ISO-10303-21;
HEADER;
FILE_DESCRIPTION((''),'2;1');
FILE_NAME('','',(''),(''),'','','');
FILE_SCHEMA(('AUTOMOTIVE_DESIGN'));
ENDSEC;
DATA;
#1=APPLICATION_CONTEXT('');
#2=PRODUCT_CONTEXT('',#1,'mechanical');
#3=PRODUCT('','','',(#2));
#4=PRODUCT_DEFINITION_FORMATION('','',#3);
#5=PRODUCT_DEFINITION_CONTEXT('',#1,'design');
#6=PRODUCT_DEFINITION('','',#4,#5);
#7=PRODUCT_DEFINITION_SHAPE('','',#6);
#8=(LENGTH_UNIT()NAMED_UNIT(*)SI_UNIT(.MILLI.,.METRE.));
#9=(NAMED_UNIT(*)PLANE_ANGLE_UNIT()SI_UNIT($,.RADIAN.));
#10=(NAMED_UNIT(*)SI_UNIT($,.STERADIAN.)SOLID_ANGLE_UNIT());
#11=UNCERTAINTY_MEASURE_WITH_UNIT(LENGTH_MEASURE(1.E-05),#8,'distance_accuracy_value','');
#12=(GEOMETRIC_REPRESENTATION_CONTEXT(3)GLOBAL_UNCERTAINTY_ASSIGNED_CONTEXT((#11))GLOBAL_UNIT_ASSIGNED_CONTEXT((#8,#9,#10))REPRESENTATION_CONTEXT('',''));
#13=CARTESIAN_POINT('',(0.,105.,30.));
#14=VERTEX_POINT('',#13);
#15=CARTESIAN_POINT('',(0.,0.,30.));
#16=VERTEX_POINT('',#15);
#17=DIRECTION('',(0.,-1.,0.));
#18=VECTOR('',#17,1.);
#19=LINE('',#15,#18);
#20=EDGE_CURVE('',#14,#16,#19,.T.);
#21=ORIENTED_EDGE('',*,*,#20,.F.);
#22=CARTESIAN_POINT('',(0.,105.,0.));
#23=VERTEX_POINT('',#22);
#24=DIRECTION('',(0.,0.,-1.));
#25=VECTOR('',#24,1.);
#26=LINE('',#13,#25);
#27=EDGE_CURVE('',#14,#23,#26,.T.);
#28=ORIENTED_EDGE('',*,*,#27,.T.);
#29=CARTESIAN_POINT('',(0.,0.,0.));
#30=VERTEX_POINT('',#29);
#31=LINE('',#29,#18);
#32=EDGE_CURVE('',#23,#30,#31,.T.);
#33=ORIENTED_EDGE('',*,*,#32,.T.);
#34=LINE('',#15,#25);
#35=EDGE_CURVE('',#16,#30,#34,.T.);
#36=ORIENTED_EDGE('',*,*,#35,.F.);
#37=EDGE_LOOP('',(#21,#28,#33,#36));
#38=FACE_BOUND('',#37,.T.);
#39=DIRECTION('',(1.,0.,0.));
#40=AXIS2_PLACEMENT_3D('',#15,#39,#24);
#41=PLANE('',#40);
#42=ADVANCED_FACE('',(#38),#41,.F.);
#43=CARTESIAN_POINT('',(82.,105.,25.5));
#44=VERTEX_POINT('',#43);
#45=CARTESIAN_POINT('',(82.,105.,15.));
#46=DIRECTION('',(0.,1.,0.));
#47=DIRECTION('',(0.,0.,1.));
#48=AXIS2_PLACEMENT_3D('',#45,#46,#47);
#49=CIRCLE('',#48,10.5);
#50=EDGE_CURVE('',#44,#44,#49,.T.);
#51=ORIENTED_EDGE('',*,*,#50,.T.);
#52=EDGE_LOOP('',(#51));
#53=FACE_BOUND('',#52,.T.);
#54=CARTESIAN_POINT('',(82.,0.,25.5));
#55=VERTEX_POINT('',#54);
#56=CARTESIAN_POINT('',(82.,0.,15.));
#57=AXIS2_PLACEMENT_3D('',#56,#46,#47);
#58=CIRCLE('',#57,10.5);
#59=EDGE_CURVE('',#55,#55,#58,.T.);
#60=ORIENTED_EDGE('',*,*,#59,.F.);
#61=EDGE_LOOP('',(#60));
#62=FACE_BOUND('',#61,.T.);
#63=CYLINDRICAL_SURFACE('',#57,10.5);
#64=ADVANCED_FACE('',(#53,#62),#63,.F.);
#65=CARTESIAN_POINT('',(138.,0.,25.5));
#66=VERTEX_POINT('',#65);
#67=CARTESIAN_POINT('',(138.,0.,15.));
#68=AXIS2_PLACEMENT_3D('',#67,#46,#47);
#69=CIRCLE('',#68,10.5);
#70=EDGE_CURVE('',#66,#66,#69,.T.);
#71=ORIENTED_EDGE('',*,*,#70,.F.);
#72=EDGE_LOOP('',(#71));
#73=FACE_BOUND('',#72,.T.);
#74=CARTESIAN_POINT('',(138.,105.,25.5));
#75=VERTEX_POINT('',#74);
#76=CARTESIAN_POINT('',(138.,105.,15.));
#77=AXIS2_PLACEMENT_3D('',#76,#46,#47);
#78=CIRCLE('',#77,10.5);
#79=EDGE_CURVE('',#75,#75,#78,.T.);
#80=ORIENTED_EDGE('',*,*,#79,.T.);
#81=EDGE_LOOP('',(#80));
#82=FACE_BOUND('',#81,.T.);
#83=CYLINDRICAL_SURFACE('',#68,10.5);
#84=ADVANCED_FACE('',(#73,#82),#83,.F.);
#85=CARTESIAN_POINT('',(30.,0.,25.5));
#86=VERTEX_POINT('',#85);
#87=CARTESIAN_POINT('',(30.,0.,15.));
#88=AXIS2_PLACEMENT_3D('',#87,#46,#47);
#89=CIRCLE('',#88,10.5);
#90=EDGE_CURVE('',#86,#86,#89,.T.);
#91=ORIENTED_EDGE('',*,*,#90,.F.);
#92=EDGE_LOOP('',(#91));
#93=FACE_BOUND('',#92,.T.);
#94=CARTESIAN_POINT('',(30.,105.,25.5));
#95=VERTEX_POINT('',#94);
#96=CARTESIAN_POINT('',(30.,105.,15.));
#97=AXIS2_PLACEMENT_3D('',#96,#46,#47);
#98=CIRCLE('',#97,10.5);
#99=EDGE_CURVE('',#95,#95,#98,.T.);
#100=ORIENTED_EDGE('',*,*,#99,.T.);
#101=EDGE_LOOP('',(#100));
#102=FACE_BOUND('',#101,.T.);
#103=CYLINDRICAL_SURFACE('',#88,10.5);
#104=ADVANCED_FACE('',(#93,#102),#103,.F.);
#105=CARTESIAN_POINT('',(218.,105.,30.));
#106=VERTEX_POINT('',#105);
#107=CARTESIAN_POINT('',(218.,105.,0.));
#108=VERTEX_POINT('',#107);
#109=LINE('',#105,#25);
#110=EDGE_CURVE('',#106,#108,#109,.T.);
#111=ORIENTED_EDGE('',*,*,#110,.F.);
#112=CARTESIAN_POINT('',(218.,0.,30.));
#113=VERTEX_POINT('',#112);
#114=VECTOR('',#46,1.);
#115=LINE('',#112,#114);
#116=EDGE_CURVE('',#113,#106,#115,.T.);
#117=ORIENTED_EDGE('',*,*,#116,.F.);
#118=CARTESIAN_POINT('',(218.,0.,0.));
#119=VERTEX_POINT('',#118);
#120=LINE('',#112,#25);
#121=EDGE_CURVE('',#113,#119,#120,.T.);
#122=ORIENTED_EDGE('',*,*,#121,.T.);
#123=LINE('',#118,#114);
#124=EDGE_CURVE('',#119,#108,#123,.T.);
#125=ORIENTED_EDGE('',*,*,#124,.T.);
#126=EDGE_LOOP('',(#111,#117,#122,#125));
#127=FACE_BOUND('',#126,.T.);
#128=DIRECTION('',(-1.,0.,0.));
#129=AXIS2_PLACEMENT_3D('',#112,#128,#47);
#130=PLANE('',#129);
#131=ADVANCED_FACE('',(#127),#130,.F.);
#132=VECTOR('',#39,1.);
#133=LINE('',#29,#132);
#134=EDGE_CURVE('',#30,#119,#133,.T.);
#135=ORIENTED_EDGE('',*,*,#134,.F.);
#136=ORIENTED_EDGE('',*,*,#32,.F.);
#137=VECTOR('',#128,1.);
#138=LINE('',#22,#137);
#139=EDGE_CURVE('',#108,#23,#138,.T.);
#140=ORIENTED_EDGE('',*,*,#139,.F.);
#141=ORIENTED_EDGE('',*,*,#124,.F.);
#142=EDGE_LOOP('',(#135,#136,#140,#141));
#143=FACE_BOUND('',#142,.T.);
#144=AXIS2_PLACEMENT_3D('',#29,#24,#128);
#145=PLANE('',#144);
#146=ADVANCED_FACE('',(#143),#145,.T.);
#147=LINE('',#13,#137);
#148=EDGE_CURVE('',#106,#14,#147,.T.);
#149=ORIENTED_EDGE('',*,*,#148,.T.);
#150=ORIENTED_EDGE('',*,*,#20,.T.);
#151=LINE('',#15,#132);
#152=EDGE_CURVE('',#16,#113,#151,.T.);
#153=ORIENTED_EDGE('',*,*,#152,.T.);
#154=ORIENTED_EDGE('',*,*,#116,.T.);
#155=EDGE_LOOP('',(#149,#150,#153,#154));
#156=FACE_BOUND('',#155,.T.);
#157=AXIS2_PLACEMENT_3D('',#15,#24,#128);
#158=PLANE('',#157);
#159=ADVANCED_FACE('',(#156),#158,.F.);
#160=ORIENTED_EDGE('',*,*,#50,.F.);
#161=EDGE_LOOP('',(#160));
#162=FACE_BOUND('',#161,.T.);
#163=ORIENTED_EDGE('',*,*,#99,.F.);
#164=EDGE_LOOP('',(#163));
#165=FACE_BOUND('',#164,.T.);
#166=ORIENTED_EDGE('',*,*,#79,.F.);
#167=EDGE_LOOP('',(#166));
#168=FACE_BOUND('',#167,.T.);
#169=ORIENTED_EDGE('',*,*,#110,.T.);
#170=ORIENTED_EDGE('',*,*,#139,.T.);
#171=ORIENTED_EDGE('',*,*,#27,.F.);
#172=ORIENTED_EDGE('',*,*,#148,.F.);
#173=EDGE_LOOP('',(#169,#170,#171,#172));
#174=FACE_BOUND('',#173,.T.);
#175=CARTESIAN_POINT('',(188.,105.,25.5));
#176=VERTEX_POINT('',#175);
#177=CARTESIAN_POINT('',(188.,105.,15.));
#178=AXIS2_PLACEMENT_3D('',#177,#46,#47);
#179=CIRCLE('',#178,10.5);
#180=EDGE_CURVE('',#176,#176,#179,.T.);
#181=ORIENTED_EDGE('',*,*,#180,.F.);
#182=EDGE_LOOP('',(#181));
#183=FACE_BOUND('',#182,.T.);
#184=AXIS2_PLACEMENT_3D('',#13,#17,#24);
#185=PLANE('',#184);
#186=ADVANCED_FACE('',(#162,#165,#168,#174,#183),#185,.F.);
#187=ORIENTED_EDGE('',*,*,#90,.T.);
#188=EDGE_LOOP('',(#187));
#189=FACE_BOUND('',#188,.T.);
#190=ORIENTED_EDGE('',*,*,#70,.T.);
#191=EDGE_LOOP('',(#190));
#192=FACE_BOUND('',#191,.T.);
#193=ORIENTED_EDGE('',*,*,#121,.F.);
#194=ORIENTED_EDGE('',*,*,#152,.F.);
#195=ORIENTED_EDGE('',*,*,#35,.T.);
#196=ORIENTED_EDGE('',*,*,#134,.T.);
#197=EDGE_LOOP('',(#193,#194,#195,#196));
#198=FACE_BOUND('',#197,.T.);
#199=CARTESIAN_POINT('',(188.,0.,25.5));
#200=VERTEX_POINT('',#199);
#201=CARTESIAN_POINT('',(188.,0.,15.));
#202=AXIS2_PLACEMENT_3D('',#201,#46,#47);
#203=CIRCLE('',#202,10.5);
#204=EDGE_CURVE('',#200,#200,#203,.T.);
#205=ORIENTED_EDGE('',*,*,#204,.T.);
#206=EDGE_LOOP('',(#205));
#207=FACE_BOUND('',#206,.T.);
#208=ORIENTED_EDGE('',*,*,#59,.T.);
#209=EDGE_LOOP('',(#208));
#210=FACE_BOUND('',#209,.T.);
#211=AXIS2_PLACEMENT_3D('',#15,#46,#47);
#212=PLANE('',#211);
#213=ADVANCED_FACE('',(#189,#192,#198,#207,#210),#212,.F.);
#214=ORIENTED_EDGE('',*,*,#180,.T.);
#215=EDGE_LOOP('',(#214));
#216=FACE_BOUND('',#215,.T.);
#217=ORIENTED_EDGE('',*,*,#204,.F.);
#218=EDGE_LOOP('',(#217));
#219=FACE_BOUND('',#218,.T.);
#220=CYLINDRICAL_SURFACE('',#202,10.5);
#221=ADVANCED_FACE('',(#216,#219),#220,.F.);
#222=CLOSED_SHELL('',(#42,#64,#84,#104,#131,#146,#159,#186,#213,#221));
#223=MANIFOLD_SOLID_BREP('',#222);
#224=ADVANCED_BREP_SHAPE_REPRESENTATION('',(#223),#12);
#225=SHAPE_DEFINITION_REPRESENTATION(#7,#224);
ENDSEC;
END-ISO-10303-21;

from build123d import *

# Parameters (mm, degrees)
SKIZZE1_W                       = 218
SKIZZE1_H                       = 105
AUFSATZ_LINEAR_AUSTRAGEN1_DEPTH = 30
SKIZZE11_R                      = 10.5
SCHNITT_LINEAR_AUSTRAGEN2_DEPTH = 106


with BuildPart() as part:
    # Skizze1 → Aufsatz-Linear austragen1 (new body)
    with BuildSketch(Plane.XY):
        with Locations((109, 52.5)):
            Rectangle(SKIZZE1_W, SKIZZE1_H)
    extrude(amount=AUFSATZ_LINEAR_AUSTRAGEN1_DEPTH)

    # Skizze11 → Schnitt-Linear austragen2 (cut, through all)
    with BuildSketch(Plane(origin=(0, 105, 0), x_dir=(1, 0, 0), z_dir=(0, 1, 0))):
        with Locations((30, -15)):
            Circle(SKIZZE11_R)
        with Locations((82, -15)):
            Circle(SKIZZE11_R)
        with Locations((138, -15)):
            Circle(SKIZZE11_R)
        with Locations((188, -15)):
            Circle(SKIZZE11_R)
    extrude(amount=-SCHNITT_LINEAR_AUSTRAGEN2_DEPTH, mode=Mode.SUBTRACT)


solid = part.part
